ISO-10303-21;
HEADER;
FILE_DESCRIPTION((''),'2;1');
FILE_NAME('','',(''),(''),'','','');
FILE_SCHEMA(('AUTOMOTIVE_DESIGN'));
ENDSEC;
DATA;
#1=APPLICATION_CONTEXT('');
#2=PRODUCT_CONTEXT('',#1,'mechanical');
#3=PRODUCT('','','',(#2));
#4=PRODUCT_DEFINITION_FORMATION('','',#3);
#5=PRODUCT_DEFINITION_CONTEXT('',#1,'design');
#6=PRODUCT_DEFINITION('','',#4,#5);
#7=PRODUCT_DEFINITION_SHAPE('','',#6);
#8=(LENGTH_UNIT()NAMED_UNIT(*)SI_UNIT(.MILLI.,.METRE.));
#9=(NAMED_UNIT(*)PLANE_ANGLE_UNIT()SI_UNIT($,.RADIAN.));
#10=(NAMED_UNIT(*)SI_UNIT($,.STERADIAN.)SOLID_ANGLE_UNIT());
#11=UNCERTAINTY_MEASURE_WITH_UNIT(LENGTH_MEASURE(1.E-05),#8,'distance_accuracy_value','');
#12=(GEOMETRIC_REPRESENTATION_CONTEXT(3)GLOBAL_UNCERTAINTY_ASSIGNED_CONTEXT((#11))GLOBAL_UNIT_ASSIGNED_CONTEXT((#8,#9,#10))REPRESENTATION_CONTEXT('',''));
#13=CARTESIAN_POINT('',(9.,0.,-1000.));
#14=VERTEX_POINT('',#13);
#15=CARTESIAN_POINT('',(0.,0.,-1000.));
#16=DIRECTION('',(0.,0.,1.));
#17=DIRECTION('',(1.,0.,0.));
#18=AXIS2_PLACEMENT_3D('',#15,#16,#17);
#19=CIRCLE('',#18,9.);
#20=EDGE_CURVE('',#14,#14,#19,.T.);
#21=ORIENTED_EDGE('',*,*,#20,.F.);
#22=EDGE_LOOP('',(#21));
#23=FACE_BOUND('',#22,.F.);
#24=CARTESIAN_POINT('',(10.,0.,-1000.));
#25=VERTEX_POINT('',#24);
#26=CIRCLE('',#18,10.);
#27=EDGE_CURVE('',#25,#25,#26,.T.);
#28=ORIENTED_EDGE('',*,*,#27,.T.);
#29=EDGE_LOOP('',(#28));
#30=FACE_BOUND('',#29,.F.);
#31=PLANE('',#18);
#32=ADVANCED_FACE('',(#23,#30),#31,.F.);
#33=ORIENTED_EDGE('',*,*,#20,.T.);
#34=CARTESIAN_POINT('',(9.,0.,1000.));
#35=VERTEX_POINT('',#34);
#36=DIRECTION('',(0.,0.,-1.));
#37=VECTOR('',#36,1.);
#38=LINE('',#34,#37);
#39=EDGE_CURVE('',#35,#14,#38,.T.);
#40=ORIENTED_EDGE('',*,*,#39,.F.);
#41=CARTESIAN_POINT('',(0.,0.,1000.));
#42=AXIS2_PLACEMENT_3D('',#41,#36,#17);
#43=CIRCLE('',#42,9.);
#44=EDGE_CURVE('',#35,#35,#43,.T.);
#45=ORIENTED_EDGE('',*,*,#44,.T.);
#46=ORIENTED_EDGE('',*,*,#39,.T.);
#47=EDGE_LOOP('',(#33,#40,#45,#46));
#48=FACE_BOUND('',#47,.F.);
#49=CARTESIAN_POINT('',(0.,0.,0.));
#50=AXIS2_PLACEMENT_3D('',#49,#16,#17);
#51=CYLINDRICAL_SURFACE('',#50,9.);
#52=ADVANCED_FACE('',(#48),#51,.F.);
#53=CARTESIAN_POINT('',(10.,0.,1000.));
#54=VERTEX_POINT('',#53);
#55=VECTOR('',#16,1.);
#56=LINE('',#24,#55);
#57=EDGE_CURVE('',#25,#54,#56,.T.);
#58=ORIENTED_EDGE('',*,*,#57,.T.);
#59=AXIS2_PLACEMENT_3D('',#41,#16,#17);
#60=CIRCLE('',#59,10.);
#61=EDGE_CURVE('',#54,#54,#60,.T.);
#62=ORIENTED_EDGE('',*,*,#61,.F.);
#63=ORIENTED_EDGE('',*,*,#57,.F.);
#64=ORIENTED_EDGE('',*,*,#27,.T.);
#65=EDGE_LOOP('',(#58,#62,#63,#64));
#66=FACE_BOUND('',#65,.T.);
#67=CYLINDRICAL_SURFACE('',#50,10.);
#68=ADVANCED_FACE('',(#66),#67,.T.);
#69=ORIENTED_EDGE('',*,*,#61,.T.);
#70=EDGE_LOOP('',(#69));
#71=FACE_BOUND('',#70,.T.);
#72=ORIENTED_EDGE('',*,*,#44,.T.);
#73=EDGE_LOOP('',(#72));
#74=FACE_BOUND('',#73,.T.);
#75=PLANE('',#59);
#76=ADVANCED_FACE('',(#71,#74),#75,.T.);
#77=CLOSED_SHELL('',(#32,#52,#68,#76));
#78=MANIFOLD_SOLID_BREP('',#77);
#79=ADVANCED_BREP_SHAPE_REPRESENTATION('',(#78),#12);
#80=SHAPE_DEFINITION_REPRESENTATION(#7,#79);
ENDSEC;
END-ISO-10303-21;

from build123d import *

# Parameters (mm, degrees)
F0_R     = 10
F2_DEPTH = 1000
F1_R     = 9
F3_DEPTH = 1000.001
F4_DEPTH = 1000.001


with BuildPart() as f2:
    # F0 (on Top) → F2 (new body, symmetric)
    with BuildSketch(Plane.XY):
        Circle(F0_R)
    extrude(amount=F2_DEPTH, both=True)

    # F1 (on Top) → F3 (cut, through all)
    with BuildSketch(Plane.XY):
        Circle(F1_R)
    extrude(amount=-F3_DEPTH, mode=Mode.SUBTRACT)

    # F1 (on Top) → F4 (cut, through all)
    with BuildSketch(Plane.XY):
        Circle(F1_R)
    extrude(amount=F4_DEPTH, mode=Mode.SUBTRACT)


solid = f2.part
